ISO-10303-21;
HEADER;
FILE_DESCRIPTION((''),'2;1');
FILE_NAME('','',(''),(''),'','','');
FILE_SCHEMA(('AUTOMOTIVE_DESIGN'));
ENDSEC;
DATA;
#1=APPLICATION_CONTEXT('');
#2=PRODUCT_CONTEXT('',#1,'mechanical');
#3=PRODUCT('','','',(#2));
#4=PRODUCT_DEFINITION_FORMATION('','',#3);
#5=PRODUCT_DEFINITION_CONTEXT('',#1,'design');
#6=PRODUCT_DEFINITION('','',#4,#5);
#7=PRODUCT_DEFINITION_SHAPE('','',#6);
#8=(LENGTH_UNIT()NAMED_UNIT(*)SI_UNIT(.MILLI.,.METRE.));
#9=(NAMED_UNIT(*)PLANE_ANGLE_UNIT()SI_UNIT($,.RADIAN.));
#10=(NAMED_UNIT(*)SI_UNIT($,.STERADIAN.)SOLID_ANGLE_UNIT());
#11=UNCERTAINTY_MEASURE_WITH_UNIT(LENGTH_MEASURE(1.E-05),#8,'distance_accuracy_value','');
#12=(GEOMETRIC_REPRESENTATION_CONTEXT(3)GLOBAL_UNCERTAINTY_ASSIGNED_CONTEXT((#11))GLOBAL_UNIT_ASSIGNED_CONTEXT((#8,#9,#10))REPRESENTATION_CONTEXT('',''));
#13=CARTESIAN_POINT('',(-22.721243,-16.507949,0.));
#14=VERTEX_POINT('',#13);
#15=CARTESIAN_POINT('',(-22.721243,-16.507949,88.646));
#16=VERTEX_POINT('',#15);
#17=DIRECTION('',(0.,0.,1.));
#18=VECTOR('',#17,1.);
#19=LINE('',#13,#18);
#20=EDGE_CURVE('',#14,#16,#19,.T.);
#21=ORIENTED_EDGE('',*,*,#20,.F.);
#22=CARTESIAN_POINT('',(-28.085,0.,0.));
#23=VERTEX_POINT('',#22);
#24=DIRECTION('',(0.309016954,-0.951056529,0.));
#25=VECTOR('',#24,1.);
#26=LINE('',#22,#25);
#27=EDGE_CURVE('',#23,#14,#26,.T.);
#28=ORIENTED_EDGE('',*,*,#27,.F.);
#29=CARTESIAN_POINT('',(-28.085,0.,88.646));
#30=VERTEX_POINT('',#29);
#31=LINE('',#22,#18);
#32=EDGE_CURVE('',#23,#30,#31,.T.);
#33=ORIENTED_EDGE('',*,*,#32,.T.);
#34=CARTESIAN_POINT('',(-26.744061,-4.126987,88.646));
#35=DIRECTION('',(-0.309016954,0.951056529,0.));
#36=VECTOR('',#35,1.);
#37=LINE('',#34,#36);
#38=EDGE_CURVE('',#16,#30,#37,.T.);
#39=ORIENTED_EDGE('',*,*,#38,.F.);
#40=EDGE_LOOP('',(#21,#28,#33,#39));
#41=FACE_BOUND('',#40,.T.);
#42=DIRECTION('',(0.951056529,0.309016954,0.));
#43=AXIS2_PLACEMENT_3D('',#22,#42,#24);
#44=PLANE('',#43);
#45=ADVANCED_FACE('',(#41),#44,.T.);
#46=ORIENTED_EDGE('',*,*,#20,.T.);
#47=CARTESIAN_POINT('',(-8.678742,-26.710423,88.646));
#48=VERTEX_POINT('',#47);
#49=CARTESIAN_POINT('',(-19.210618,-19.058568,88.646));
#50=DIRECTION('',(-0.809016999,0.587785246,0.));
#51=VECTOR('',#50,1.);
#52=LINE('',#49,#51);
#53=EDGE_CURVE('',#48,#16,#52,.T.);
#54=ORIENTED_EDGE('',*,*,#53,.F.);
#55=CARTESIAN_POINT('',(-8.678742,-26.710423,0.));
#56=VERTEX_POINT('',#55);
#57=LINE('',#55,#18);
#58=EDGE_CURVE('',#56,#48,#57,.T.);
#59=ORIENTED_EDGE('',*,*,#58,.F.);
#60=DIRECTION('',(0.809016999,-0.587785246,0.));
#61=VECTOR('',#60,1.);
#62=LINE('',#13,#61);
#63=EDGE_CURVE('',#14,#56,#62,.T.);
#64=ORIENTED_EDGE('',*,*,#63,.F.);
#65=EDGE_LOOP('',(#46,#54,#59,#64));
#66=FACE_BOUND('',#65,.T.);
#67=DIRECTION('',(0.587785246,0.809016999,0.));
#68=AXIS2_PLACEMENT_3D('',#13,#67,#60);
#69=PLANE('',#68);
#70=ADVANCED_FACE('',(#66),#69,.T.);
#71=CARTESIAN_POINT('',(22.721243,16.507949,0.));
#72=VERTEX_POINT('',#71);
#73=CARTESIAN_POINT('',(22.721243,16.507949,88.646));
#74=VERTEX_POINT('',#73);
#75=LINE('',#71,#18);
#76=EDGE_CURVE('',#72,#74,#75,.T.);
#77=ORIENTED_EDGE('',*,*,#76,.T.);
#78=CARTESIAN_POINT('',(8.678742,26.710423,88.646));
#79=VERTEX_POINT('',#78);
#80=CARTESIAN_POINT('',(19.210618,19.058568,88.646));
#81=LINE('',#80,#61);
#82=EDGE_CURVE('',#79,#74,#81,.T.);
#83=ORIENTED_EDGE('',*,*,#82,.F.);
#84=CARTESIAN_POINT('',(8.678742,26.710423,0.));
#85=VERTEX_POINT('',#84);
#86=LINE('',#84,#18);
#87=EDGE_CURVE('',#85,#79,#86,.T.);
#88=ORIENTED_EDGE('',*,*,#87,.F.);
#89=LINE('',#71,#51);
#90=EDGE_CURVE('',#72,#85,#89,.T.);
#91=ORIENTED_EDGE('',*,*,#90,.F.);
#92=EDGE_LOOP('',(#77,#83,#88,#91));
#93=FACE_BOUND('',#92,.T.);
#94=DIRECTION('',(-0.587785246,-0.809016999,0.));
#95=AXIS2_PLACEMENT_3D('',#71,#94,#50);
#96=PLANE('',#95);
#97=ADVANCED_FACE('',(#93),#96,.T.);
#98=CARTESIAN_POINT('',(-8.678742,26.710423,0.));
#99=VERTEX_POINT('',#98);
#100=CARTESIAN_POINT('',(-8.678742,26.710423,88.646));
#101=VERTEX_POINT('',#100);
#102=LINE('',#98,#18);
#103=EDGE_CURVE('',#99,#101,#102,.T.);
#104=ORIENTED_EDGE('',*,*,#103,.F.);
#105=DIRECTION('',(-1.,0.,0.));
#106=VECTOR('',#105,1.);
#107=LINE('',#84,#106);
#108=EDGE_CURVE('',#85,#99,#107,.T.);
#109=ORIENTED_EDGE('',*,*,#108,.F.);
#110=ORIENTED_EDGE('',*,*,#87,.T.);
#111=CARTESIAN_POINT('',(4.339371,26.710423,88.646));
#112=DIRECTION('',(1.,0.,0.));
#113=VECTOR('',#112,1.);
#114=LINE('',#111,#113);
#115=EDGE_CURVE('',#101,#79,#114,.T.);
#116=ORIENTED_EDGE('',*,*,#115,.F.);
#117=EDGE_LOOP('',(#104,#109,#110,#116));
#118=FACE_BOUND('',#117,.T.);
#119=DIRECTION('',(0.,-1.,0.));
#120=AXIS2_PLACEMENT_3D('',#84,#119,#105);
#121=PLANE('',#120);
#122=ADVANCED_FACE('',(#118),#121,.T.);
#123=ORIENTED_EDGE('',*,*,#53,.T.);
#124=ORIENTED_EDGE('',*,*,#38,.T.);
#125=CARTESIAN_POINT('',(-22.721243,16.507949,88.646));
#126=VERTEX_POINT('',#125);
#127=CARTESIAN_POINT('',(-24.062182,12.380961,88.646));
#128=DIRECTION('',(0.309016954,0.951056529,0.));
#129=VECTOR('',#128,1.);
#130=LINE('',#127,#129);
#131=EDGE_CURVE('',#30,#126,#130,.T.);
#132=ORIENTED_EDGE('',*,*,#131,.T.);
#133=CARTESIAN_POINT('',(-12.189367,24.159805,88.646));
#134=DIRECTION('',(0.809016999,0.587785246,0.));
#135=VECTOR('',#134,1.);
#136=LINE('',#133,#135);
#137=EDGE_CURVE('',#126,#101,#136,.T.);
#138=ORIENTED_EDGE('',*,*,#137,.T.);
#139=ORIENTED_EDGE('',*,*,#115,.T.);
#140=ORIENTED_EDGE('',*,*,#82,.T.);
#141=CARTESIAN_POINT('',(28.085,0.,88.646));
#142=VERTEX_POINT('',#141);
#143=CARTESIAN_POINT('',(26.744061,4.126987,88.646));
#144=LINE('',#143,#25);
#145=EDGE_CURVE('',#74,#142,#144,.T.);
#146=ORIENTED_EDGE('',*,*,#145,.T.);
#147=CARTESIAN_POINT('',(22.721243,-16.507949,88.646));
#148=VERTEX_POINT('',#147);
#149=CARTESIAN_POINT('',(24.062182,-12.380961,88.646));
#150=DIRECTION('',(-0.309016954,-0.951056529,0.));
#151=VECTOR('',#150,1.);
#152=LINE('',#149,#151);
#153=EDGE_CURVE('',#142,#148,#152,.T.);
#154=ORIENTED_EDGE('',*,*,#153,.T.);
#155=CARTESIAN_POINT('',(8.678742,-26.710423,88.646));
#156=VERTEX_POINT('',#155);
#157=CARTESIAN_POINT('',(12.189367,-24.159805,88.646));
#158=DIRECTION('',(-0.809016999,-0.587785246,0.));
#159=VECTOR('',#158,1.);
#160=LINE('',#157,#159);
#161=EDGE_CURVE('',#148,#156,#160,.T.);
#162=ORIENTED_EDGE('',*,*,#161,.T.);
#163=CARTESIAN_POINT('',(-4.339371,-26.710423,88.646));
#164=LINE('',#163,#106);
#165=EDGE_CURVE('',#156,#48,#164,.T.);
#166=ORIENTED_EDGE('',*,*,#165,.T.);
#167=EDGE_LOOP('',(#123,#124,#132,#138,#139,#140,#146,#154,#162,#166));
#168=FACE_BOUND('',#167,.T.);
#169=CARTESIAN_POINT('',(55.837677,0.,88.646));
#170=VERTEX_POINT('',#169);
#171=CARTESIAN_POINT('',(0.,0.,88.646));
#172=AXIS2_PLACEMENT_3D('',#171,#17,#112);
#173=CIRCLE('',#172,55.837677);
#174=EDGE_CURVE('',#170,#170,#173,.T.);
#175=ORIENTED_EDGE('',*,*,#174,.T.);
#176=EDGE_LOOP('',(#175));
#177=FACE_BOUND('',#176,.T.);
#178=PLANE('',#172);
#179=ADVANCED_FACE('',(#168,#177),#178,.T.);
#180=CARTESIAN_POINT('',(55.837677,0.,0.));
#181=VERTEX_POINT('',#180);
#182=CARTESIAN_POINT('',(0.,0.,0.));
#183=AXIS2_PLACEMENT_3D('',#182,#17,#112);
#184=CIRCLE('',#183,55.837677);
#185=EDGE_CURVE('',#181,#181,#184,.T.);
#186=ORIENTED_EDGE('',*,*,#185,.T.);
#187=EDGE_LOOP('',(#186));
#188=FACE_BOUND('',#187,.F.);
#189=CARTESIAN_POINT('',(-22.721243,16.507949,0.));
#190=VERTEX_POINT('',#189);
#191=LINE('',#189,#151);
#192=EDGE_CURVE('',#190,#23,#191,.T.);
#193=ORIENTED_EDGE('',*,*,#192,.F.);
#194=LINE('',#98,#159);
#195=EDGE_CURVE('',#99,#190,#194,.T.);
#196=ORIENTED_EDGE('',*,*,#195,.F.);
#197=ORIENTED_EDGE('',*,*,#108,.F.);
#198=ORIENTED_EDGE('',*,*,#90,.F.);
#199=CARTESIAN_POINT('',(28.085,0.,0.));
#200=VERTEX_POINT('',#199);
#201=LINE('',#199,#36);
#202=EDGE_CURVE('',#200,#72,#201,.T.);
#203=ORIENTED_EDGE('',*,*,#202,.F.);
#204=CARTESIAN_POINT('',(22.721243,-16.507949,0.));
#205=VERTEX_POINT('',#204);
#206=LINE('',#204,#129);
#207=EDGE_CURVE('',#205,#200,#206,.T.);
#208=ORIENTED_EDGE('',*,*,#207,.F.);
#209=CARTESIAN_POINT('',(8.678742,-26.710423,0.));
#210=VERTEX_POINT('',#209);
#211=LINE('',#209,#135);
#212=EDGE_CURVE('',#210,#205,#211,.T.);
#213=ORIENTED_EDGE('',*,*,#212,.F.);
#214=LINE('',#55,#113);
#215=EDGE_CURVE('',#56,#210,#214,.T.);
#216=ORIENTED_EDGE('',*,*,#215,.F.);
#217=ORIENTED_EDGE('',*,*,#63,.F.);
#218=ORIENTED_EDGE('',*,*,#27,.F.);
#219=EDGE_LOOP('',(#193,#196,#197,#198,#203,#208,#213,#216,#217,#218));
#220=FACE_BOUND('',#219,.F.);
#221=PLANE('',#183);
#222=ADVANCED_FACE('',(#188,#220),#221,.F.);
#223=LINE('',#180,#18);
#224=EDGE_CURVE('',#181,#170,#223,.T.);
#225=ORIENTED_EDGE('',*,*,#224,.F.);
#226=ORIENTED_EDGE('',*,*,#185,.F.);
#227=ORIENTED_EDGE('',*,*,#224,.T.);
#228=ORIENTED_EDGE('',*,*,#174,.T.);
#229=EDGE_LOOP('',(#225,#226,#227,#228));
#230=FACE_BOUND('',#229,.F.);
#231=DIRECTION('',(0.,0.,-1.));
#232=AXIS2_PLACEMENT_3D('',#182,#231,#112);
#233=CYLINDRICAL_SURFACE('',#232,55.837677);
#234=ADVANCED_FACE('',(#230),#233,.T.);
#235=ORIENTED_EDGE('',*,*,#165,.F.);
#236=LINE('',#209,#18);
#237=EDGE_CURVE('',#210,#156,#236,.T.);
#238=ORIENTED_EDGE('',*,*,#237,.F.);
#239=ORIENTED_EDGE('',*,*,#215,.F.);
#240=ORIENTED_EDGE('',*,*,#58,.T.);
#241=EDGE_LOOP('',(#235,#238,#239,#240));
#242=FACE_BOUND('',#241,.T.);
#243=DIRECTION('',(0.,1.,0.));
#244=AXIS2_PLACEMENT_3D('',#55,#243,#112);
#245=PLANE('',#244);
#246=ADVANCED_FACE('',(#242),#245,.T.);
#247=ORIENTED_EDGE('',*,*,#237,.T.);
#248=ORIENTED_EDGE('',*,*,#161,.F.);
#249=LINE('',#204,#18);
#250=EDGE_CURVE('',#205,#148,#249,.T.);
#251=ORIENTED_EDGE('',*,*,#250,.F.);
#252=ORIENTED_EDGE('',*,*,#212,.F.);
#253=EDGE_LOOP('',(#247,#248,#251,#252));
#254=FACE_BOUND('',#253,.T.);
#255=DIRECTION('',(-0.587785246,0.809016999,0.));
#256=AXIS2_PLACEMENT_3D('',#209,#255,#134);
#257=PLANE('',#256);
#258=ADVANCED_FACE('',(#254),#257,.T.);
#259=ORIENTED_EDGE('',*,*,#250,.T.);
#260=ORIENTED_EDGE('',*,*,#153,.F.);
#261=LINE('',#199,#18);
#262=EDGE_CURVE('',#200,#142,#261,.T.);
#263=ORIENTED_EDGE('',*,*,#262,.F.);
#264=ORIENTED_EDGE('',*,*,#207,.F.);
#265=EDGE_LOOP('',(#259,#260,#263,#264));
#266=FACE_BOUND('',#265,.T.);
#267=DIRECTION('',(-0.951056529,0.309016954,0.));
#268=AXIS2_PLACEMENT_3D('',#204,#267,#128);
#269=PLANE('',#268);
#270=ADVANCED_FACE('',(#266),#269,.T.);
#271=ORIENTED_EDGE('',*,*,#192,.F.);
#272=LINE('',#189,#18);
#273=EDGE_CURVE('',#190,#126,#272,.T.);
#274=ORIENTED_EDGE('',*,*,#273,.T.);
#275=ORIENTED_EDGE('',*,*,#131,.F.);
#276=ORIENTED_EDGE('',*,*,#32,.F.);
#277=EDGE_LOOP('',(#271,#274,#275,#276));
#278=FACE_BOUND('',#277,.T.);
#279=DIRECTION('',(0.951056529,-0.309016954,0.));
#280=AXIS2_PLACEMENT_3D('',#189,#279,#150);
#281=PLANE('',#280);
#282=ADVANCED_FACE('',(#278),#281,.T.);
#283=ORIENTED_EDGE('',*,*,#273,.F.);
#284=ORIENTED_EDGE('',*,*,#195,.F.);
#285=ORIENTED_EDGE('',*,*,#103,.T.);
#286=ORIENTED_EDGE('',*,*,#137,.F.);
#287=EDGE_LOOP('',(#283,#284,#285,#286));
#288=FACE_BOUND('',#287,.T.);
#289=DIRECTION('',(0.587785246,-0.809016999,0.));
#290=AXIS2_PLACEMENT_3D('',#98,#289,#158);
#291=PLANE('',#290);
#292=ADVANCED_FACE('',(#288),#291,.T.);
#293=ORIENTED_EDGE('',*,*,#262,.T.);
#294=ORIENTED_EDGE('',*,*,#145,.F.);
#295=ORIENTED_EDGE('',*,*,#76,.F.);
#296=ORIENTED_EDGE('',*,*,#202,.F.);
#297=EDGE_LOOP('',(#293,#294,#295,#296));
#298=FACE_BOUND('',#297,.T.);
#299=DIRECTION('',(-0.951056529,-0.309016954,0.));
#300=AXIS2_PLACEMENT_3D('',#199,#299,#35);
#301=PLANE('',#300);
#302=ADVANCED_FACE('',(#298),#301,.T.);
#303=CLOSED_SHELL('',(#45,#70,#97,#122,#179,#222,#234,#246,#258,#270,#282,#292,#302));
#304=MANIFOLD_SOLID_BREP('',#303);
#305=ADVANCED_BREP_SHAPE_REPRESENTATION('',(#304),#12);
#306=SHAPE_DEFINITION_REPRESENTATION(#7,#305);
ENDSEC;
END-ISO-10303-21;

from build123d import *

# Parameters (mm, degrees)
F0_R     = 55.837677
F1_DEPTH = 88.646
F3_DEPTH = 88.647


with BuildPart() as f1:
    # F0 (on Top) → F1 (new body)
    with BuildSketch(Plane.XY):
        Circle(F0_R)
    extrude(amount=F1_DEPTH)

    # F2 (on Top) → F3 (cut, through all)
    with BuildSketch(Plane.XY):
        Polygon((8.678742, 26.710423), (-8.678742, 26.710423), (-22.721243, 16.507949), (-28.085, 0), (-22.721243, -16.507949), (-8.678742, -26.710423), (8.678742, -26.710423), (22.721243, -16.507949), (28.085, 0), (22.721243, 16.507949), align=None)
    extrude(amount=F3_DEPTH, mode=Mode.SUBTRACT)


solid = f1.part
